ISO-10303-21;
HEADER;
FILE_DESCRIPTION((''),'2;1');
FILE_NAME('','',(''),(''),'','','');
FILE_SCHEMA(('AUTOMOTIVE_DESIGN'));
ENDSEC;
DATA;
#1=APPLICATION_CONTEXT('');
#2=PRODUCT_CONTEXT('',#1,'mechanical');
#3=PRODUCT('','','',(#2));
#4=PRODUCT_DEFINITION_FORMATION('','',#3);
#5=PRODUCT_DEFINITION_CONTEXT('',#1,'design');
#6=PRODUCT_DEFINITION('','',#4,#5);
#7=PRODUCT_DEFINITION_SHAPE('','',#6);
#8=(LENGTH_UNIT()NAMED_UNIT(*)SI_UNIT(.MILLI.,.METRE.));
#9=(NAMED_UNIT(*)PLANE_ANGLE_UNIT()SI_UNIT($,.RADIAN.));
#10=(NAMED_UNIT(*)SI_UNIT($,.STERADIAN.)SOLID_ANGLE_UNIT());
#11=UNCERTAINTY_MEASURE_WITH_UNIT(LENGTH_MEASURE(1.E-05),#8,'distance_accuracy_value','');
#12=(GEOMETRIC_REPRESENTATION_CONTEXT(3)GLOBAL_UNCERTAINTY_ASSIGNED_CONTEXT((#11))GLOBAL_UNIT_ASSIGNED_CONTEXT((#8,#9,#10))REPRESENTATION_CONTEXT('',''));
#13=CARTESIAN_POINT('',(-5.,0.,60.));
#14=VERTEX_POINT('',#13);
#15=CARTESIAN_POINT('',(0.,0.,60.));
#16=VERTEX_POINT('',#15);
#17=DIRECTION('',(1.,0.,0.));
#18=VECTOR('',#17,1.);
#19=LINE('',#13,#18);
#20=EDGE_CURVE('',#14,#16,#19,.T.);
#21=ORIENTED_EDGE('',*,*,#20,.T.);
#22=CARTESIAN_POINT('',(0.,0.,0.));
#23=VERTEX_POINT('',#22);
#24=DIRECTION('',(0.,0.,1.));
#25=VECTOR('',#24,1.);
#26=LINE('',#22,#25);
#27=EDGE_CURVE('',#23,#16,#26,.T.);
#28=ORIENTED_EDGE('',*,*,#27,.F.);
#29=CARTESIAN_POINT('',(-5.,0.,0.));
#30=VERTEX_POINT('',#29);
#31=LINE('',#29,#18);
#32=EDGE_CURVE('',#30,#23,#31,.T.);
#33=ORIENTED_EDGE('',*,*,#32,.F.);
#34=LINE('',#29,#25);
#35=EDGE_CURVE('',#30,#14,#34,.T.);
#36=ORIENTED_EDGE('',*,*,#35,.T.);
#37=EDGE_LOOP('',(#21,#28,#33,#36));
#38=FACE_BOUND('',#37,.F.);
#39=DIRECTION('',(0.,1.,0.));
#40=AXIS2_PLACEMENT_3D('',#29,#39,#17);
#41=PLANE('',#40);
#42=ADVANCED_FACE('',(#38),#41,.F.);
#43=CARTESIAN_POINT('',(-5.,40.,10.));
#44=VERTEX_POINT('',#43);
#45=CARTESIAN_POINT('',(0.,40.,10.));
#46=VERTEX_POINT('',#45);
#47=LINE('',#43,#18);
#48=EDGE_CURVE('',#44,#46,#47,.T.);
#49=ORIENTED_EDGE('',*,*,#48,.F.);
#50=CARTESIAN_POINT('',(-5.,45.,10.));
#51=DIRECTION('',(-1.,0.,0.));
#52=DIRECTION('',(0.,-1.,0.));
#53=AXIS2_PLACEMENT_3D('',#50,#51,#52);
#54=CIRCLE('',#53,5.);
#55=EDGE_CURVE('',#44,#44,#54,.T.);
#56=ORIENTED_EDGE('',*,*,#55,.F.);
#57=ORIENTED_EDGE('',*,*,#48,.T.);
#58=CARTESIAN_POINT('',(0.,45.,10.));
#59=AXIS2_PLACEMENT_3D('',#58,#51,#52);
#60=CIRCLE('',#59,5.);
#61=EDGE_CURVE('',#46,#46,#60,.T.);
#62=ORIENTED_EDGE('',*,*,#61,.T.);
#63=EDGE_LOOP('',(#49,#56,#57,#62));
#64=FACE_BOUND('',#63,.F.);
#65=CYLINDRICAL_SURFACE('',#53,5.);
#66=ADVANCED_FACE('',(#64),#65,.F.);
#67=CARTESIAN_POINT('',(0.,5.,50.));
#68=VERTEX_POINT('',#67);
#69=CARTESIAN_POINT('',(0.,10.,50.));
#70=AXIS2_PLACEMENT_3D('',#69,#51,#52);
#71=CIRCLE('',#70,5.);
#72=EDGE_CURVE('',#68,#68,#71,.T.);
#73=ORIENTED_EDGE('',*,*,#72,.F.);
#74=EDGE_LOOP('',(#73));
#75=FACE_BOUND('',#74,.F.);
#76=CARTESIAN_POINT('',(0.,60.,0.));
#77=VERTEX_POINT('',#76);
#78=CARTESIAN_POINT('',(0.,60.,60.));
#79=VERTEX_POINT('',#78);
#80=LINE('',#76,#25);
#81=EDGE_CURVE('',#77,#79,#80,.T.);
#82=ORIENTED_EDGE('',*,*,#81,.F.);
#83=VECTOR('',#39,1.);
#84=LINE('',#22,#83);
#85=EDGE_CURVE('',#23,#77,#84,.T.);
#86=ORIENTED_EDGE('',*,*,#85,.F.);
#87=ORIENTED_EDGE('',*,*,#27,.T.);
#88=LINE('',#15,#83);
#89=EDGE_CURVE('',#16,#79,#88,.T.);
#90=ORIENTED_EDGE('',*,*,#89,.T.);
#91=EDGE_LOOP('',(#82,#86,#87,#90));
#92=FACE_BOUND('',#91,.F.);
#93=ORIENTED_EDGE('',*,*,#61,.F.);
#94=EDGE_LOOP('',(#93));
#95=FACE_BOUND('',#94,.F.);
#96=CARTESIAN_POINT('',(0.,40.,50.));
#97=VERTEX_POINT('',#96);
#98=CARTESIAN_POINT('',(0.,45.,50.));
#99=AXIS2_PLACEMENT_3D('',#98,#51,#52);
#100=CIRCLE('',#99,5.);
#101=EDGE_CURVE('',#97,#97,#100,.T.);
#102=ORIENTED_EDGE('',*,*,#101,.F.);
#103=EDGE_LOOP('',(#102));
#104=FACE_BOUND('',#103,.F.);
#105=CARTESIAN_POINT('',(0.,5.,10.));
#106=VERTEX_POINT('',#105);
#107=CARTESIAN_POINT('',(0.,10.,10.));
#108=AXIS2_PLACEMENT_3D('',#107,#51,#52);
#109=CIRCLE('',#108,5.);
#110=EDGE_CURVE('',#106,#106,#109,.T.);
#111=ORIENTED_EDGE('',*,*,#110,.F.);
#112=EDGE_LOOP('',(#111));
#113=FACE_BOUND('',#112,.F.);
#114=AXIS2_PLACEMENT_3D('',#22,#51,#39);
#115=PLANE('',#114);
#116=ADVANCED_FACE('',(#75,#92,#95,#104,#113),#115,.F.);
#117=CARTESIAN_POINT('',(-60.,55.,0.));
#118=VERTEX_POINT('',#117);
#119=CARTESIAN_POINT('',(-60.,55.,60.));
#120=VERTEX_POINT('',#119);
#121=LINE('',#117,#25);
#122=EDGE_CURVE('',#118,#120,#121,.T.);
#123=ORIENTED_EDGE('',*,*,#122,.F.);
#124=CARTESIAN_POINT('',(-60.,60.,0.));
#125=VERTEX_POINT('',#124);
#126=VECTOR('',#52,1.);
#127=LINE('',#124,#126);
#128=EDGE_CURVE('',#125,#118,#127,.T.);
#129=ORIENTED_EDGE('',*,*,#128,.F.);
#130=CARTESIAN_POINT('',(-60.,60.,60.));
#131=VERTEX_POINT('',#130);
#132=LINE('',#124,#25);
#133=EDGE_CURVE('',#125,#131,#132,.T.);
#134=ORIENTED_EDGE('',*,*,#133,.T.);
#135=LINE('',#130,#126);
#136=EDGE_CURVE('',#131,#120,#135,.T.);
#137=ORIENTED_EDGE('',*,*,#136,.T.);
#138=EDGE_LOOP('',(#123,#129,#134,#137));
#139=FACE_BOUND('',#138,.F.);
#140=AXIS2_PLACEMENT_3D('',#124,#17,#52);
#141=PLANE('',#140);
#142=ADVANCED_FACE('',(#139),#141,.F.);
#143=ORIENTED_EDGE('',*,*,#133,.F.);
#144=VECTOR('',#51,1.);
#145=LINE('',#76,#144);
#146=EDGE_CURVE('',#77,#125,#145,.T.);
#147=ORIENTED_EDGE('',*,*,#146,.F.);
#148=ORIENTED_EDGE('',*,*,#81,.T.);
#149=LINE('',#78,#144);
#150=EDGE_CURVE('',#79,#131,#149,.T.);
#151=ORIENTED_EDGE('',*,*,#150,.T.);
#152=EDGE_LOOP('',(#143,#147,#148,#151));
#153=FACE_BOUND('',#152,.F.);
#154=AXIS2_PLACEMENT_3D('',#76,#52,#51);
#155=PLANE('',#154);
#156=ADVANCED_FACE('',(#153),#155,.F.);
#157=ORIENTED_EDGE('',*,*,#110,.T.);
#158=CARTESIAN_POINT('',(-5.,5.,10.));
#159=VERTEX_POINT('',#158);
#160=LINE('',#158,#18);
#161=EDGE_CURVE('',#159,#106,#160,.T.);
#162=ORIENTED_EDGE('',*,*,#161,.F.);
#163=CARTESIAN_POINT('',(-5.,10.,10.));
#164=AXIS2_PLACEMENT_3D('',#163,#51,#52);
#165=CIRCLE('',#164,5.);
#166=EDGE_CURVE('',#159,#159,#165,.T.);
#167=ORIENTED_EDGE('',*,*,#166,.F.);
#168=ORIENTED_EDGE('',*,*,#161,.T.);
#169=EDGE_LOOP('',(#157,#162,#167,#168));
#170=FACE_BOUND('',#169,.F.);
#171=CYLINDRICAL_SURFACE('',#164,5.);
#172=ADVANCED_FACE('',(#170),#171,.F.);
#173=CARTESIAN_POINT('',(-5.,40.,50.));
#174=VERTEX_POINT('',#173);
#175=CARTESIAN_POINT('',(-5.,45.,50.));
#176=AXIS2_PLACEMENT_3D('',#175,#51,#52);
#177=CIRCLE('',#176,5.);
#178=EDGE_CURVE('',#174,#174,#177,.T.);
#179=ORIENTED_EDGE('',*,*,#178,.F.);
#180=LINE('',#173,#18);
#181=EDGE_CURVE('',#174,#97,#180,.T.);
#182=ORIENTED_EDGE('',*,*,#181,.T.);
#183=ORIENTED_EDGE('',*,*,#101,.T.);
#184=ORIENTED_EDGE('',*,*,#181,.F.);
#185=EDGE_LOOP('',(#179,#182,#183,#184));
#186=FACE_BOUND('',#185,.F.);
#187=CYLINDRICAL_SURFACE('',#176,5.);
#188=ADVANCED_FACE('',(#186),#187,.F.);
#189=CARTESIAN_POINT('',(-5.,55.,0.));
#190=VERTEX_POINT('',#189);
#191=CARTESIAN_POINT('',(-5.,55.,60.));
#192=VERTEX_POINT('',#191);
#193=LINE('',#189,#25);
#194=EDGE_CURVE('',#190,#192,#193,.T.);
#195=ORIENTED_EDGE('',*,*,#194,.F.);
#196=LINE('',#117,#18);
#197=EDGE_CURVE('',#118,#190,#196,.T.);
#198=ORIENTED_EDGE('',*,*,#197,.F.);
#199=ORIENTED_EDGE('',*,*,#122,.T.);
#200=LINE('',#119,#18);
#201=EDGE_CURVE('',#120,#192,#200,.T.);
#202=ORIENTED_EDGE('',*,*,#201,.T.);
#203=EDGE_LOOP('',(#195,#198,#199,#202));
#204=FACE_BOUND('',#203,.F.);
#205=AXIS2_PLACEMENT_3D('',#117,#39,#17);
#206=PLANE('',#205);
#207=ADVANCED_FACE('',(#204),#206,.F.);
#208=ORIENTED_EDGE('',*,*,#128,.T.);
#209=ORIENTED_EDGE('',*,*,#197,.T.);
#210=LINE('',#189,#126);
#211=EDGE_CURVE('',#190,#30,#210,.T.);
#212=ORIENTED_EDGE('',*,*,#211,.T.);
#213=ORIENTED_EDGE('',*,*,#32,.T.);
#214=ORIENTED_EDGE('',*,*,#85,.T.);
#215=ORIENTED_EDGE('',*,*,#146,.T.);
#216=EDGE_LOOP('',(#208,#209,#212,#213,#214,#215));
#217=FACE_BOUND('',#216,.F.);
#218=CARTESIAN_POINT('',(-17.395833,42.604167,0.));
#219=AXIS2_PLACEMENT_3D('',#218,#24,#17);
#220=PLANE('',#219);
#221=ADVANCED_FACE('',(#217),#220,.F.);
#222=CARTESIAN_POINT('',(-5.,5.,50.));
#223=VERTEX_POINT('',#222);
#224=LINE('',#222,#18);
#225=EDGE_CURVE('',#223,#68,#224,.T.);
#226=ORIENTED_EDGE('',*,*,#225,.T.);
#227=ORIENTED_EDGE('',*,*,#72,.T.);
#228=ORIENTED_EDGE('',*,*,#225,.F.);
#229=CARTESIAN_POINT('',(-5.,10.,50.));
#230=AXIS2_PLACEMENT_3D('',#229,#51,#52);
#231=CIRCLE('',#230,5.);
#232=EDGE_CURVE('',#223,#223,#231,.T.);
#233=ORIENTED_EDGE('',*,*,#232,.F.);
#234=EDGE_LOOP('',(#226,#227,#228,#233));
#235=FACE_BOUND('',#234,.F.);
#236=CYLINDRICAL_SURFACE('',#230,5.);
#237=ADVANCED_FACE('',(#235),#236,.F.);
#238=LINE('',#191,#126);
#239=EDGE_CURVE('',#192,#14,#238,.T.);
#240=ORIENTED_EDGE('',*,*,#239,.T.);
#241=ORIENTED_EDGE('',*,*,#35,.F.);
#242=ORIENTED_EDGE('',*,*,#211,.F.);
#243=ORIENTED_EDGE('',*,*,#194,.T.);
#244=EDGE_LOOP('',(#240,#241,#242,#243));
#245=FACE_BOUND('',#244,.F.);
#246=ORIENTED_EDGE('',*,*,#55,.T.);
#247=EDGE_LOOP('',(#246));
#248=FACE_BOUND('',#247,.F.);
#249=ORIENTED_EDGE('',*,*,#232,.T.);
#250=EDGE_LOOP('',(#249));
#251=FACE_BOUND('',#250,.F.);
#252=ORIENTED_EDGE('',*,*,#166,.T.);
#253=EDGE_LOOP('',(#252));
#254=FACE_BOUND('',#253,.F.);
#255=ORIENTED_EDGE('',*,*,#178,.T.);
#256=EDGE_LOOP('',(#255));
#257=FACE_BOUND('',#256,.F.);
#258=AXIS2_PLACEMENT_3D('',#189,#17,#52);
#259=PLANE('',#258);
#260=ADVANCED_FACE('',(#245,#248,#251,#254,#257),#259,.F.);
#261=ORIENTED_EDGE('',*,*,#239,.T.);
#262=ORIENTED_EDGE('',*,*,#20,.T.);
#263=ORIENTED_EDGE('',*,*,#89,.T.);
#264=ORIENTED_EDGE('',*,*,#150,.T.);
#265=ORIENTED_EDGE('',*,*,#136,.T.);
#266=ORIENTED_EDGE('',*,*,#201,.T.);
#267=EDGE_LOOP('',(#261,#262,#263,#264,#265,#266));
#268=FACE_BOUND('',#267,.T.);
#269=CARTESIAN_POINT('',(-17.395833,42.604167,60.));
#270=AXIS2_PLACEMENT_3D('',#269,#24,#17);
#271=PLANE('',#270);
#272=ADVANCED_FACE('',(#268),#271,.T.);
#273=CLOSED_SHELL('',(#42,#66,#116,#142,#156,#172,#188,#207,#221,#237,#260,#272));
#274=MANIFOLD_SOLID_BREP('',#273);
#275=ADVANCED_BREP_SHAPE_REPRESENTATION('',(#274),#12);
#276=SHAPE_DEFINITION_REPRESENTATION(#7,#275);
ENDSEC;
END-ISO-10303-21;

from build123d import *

# Parameters (mm, degrees)
PAD_DEPTH    = 60
SKETCH001_R  = 5
POCKET_DEPTH = 5


with BuildPart() as part:
    # Sketch → Pad (new body)
    with BuildSketch(Plane.XY):
        Polygon((0, 0), (0, 60), (-60, 60), (-60, 55), (-5, 55), (-5, 0), align=None)
    extrude(amount=PAD_DEPTH)

    # Sketch001 (on Face5 of Pad) → Pocket (cut)
    with BuildSketch(Plane(origin=(-5, 0, 0), x_dir=(0, -1, 0), z_dir=(-1, 0, 0))):
        with Locations((-45, 50)):
            Circle(SKETCH001_R)
        with Locations((-10, 50)):
            Circle(SKETCH001_R)
        with Locations((-10, 10)):
            Circle(SKETCH001_R)
        with Locations((-45, 10)):
            Circle(SKETCH001_R)
    extrude(amount=-POCKET_DEPTH, mode=Mode.SUBTRACT)


solid = part.part
